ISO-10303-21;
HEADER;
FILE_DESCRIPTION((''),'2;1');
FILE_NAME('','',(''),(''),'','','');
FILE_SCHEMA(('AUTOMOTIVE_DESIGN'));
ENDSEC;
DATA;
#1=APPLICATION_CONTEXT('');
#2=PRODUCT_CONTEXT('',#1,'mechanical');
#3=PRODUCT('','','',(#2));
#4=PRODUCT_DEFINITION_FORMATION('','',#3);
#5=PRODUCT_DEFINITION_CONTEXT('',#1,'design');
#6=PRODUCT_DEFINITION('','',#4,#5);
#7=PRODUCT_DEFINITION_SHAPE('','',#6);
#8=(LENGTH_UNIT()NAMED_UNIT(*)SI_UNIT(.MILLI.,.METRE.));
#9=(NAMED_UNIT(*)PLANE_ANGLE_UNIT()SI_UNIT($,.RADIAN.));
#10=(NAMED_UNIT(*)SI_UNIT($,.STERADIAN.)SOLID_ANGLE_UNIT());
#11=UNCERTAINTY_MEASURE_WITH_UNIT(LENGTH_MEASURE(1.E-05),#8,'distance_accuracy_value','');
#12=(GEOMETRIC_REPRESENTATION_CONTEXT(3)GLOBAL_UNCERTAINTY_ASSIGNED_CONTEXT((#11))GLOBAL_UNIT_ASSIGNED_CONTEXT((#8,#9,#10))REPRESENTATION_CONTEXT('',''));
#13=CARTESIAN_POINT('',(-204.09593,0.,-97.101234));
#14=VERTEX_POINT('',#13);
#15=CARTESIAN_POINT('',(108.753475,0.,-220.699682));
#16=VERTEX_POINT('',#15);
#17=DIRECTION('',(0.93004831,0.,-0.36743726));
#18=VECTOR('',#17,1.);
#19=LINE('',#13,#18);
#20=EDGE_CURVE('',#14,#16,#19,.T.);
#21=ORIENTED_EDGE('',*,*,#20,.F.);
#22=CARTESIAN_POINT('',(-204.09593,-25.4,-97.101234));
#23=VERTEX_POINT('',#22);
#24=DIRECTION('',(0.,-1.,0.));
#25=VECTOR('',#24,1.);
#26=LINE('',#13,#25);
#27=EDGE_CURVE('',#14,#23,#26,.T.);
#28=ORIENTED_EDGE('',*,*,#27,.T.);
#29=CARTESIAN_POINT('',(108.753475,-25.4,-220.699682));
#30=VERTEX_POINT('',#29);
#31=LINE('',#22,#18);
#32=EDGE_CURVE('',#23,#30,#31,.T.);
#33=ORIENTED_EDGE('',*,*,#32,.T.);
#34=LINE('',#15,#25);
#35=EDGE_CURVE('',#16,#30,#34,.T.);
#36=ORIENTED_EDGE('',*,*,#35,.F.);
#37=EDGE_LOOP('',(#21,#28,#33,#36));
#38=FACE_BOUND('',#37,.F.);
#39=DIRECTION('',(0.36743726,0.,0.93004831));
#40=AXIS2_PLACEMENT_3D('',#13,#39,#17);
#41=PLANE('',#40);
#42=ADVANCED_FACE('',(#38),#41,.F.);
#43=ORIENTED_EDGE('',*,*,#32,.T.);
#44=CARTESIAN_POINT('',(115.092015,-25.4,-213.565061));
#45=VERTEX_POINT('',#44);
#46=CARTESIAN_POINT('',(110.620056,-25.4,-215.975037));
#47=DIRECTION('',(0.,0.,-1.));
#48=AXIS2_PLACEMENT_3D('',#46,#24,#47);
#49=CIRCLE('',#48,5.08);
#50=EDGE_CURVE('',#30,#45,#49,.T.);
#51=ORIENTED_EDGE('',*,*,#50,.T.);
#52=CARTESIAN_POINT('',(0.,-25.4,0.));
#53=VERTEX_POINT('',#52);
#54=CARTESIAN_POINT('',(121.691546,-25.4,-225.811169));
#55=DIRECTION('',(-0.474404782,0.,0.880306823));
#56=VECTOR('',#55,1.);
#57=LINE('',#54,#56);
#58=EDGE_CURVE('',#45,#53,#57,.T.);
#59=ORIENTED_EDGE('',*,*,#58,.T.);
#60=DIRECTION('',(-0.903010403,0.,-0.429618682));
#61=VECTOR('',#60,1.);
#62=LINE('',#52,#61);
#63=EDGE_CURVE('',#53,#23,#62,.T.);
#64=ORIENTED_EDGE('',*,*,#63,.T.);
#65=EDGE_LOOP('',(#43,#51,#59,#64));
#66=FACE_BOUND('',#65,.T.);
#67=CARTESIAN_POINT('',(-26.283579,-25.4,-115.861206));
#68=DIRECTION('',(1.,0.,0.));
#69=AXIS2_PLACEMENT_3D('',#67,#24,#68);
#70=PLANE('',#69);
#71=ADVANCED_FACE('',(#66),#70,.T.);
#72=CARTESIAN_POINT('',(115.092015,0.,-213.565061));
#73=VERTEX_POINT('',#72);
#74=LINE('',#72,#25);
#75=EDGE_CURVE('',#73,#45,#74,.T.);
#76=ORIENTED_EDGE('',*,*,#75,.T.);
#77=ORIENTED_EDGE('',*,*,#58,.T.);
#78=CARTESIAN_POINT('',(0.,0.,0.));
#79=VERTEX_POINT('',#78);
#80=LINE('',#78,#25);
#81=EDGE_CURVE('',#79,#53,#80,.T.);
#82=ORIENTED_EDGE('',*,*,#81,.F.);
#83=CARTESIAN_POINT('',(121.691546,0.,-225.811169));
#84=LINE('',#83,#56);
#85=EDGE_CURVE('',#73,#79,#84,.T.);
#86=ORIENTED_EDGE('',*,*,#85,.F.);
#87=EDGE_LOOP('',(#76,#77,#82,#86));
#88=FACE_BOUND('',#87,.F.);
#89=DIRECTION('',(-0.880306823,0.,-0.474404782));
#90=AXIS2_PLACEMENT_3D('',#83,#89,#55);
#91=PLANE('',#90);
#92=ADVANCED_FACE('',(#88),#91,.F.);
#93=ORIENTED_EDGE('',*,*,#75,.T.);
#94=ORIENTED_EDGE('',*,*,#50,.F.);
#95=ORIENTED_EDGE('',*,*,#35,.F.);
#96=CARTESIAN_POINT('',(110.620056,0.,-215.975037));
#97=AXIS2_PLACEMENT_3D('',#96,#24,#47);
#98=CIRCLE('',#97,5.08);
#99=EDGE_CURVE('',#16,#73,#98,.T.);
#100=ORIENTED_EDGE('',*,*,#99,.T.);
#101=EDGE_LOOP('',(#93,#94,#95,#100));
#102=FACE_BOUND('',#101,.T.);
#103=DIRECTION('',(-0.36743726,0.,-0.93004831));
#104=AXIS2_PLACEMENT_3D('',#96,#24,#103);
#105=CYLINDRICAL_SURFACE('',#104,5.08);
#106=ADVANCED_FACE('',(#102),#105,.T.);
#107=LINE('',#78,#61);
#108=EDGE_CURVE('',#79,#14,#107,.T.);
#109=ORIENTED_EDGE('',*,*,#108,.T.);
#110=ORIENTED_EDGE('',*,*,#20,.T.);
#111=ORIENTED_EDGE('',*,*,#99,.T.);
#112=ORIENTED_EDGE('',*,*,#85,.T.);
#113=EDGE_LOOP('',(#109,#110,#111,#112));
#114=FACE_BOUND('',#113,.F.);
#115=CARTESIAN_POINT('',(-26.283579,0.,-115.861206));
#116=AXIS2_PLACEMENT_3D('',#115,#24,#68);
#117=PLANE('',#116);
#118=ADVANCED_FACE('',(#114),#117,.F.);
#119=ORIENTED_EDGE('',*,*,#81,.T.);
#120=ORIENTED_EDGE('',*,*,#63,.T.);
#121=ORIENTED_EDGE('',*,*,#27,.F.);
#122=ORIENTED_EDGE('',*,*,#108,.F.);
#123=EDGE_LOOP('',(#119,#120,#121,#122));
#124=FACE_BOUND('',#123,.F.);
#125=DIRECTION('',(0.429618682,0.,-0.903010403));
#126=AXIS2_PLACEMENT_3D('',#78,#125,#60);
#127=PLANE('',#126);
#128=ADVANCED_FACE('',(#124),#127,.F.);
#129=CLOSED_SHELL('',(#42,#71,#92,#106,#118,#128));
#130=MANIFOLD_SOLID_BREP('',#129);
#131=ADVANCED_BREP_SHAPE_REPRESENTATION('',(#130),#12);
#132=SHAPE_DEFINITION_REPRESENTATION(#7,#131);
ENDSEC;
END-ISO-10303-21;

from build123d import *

# Parameters (mm, degrees)
F1_DEPTH = 25.4
F2_R     = 5.08


with BuildPart() as f1:
    # F0 (on Front) → F1 (new body)
    with BuildSketch(Plane.XZ):
        Polygon((0, 0), (-204.09593, -97.101234), (121.691546, -225.811169), align=None)
    extrude(amount=F1_DEPTH)

    # F2
    f2_edges = [f1.edges().sort_by_distance(p)[0] for p in [
        (121.691546, -12.7, -225.811169),
    ]]
    fillet(f2_edges, radius=F2_R)


solid = f1.part
